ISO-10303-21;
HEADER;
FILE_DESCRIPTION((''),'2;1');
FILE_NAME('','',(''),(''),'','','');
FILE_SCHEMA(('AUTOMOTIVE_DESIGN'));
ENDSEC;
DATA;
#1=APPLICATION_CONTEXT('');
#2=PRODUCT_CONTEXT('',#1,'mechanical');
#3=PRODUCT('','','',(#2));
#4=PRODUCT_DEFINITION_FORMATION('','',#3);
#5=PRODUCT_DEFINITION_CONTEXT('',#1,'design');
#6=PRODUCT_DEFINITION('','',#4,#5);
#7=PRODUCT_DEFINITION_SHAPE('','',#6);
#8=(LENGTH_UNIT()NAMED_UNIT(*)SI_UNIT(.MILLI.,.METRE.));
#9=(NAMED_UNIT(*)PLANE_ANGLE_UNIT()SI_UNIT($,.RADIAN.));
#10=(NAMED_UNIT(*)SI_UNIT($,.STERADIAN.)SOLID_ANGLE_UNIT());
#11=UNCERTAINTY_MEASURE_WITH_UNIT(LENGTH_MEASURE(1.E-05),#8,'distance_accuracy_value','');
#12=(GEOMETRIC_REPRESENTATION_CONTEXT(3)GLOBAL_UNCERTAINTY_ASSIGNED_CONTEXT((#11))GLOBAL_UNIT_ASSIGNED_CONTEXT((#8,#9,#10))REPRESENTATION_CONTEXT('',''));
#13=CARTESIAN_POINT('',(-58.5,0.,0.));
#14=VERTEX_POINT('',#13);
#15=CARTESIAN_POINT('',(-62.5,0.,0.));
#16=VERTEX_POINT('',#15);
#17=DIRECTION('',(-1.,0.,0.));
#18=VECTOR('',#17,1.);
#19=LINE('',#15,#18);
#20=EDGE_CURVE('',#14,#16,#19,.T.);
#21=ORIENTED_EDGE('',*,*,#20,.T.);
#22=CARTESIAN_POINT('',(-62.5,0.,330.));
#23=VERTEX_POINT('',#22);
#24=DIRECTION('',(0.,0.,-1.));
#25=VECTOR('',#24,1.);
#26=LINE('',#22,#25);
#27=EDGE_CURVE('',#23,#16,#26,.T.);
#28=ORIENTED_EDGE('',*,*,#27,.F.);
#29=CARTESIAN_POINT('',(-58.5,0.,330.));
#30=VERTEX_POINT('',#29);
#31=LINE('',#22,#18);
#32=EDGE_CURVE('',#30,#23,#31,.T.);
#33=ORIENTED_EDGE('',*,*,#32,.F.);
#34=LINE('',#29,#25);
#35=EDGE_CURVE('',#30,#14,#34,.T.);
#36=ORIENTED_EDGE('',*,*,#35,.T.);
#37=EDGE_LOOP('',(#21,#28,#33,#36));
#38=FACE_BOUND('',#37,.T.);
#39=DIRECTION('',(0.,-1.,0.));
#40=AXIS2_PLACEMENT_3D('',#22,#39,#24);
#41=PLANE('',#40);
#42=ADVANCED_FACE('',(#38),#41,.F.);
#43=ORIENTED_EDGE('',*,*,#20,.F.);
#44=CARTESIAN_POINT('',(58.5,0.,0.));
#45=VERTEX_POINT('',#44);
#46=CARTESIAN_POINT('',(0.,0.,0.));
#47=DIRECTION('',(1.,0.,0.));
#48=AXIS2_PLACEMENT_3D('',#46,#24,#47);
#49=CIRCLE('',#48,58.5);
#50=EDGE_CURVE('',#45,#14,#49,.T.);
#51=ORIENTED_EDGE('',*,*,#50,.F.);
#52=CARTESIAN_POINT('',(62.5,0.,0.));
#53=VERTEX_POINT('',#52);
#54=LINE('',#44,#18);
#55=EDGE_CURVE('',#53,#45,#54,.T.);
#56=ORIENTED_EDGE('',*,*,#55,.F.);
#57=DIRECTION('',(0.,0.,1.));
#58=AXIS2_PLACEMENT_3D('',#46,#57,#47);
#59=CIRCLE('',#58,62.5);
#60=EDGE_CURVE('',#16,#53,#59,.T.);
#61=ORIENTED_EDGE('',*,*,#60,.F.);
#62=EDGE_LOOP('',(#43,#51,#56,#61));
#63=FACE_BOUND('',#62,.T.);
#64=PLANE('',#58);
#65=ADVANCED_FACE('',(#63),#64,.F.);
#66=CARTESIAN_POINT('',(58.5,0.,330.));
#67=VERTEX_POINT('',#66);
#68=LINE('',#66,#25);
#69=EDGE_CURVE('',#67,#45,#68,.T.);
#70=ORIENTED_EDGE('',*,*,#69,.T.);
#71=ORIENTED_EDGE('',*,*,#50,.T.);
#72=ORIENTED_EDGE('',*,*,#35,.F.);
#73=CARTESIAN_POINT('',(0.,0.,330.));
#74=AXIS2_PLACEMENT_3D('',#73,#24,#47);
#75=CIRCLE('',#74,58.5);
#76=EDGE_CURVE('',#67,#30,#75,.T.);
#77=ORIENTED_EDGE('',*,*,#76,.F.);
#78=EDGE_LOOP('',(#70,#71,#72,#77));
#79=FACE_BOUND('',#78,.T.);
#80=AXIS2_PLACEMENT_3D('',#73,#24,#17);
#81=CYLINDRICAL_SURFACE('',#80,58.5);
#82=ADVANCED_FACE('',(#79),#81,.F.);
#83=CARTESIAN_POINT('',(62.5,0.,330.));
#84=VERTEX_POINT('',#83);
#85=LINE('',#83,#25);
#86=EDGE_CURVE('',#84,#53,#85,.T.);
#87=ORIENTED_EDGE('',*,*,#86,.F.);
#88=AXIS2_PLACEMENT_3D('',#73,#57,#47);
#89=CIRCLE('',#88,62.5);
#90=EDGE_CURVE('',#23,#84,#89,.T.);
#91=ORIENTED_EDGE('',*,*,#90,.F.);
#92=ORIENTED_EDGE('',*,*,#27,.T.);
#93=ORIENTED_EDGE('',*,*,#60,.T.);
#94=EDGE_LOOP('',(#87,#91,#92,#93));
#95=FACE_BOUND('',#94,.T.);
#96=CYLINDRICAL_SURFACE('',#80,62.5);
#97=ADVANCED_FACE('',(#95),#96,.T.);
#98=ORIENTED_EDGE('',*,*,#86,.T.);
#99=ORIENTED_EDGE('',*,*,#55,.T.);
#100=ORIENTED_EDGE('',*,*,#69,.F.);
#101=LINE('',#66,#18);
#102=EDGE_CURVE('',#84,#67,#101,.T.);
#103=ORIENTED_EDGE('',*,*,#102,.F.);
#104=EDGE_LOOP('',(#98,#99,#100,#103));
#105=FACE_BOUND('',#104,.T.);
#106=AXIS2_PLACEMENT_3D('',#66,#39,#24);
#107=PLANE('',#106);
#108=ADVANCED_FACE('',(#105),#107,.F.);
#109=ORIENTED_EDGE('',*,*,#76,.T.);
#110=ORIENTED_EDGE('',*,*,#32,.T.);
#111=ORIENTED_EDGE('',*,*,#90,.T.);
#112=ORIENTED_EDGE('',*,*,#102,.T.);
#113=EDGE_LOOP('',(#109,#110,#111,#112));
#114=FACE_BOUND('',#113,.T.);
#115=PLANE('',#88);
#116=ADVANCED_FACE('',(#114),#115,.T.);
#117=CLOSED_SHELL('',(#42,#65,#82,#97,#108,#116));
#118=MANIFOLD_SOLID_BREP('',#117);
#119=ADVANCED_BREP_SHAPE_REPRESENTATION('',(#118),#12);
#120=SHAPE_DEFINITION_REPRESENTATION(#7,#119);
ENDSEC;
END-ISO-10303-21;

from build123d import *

# Parameters (mm, degrees)
BOSS_EXTRUDE1_DEPTH = 330


with BuildPart() as part:
    # Sketch1 → Boss-Extrude1 (new body)
    with BuildSketch(Plane.XY):
        with BuildLine():
            Line((-62.5, 0), (-58.5, 0))
            ThreePointArc((-58.5, 0), (0, -58.5), (58.5, 0))
            Line((58.5, 0), (62.5, 0))
            ThreePointArc((62.5, 0), (0, -62.5), (-62.5, 0))
        make_face()
    extrude(amount=BOSS_EXTRUDE1_DEPTH)


solid = part.part
